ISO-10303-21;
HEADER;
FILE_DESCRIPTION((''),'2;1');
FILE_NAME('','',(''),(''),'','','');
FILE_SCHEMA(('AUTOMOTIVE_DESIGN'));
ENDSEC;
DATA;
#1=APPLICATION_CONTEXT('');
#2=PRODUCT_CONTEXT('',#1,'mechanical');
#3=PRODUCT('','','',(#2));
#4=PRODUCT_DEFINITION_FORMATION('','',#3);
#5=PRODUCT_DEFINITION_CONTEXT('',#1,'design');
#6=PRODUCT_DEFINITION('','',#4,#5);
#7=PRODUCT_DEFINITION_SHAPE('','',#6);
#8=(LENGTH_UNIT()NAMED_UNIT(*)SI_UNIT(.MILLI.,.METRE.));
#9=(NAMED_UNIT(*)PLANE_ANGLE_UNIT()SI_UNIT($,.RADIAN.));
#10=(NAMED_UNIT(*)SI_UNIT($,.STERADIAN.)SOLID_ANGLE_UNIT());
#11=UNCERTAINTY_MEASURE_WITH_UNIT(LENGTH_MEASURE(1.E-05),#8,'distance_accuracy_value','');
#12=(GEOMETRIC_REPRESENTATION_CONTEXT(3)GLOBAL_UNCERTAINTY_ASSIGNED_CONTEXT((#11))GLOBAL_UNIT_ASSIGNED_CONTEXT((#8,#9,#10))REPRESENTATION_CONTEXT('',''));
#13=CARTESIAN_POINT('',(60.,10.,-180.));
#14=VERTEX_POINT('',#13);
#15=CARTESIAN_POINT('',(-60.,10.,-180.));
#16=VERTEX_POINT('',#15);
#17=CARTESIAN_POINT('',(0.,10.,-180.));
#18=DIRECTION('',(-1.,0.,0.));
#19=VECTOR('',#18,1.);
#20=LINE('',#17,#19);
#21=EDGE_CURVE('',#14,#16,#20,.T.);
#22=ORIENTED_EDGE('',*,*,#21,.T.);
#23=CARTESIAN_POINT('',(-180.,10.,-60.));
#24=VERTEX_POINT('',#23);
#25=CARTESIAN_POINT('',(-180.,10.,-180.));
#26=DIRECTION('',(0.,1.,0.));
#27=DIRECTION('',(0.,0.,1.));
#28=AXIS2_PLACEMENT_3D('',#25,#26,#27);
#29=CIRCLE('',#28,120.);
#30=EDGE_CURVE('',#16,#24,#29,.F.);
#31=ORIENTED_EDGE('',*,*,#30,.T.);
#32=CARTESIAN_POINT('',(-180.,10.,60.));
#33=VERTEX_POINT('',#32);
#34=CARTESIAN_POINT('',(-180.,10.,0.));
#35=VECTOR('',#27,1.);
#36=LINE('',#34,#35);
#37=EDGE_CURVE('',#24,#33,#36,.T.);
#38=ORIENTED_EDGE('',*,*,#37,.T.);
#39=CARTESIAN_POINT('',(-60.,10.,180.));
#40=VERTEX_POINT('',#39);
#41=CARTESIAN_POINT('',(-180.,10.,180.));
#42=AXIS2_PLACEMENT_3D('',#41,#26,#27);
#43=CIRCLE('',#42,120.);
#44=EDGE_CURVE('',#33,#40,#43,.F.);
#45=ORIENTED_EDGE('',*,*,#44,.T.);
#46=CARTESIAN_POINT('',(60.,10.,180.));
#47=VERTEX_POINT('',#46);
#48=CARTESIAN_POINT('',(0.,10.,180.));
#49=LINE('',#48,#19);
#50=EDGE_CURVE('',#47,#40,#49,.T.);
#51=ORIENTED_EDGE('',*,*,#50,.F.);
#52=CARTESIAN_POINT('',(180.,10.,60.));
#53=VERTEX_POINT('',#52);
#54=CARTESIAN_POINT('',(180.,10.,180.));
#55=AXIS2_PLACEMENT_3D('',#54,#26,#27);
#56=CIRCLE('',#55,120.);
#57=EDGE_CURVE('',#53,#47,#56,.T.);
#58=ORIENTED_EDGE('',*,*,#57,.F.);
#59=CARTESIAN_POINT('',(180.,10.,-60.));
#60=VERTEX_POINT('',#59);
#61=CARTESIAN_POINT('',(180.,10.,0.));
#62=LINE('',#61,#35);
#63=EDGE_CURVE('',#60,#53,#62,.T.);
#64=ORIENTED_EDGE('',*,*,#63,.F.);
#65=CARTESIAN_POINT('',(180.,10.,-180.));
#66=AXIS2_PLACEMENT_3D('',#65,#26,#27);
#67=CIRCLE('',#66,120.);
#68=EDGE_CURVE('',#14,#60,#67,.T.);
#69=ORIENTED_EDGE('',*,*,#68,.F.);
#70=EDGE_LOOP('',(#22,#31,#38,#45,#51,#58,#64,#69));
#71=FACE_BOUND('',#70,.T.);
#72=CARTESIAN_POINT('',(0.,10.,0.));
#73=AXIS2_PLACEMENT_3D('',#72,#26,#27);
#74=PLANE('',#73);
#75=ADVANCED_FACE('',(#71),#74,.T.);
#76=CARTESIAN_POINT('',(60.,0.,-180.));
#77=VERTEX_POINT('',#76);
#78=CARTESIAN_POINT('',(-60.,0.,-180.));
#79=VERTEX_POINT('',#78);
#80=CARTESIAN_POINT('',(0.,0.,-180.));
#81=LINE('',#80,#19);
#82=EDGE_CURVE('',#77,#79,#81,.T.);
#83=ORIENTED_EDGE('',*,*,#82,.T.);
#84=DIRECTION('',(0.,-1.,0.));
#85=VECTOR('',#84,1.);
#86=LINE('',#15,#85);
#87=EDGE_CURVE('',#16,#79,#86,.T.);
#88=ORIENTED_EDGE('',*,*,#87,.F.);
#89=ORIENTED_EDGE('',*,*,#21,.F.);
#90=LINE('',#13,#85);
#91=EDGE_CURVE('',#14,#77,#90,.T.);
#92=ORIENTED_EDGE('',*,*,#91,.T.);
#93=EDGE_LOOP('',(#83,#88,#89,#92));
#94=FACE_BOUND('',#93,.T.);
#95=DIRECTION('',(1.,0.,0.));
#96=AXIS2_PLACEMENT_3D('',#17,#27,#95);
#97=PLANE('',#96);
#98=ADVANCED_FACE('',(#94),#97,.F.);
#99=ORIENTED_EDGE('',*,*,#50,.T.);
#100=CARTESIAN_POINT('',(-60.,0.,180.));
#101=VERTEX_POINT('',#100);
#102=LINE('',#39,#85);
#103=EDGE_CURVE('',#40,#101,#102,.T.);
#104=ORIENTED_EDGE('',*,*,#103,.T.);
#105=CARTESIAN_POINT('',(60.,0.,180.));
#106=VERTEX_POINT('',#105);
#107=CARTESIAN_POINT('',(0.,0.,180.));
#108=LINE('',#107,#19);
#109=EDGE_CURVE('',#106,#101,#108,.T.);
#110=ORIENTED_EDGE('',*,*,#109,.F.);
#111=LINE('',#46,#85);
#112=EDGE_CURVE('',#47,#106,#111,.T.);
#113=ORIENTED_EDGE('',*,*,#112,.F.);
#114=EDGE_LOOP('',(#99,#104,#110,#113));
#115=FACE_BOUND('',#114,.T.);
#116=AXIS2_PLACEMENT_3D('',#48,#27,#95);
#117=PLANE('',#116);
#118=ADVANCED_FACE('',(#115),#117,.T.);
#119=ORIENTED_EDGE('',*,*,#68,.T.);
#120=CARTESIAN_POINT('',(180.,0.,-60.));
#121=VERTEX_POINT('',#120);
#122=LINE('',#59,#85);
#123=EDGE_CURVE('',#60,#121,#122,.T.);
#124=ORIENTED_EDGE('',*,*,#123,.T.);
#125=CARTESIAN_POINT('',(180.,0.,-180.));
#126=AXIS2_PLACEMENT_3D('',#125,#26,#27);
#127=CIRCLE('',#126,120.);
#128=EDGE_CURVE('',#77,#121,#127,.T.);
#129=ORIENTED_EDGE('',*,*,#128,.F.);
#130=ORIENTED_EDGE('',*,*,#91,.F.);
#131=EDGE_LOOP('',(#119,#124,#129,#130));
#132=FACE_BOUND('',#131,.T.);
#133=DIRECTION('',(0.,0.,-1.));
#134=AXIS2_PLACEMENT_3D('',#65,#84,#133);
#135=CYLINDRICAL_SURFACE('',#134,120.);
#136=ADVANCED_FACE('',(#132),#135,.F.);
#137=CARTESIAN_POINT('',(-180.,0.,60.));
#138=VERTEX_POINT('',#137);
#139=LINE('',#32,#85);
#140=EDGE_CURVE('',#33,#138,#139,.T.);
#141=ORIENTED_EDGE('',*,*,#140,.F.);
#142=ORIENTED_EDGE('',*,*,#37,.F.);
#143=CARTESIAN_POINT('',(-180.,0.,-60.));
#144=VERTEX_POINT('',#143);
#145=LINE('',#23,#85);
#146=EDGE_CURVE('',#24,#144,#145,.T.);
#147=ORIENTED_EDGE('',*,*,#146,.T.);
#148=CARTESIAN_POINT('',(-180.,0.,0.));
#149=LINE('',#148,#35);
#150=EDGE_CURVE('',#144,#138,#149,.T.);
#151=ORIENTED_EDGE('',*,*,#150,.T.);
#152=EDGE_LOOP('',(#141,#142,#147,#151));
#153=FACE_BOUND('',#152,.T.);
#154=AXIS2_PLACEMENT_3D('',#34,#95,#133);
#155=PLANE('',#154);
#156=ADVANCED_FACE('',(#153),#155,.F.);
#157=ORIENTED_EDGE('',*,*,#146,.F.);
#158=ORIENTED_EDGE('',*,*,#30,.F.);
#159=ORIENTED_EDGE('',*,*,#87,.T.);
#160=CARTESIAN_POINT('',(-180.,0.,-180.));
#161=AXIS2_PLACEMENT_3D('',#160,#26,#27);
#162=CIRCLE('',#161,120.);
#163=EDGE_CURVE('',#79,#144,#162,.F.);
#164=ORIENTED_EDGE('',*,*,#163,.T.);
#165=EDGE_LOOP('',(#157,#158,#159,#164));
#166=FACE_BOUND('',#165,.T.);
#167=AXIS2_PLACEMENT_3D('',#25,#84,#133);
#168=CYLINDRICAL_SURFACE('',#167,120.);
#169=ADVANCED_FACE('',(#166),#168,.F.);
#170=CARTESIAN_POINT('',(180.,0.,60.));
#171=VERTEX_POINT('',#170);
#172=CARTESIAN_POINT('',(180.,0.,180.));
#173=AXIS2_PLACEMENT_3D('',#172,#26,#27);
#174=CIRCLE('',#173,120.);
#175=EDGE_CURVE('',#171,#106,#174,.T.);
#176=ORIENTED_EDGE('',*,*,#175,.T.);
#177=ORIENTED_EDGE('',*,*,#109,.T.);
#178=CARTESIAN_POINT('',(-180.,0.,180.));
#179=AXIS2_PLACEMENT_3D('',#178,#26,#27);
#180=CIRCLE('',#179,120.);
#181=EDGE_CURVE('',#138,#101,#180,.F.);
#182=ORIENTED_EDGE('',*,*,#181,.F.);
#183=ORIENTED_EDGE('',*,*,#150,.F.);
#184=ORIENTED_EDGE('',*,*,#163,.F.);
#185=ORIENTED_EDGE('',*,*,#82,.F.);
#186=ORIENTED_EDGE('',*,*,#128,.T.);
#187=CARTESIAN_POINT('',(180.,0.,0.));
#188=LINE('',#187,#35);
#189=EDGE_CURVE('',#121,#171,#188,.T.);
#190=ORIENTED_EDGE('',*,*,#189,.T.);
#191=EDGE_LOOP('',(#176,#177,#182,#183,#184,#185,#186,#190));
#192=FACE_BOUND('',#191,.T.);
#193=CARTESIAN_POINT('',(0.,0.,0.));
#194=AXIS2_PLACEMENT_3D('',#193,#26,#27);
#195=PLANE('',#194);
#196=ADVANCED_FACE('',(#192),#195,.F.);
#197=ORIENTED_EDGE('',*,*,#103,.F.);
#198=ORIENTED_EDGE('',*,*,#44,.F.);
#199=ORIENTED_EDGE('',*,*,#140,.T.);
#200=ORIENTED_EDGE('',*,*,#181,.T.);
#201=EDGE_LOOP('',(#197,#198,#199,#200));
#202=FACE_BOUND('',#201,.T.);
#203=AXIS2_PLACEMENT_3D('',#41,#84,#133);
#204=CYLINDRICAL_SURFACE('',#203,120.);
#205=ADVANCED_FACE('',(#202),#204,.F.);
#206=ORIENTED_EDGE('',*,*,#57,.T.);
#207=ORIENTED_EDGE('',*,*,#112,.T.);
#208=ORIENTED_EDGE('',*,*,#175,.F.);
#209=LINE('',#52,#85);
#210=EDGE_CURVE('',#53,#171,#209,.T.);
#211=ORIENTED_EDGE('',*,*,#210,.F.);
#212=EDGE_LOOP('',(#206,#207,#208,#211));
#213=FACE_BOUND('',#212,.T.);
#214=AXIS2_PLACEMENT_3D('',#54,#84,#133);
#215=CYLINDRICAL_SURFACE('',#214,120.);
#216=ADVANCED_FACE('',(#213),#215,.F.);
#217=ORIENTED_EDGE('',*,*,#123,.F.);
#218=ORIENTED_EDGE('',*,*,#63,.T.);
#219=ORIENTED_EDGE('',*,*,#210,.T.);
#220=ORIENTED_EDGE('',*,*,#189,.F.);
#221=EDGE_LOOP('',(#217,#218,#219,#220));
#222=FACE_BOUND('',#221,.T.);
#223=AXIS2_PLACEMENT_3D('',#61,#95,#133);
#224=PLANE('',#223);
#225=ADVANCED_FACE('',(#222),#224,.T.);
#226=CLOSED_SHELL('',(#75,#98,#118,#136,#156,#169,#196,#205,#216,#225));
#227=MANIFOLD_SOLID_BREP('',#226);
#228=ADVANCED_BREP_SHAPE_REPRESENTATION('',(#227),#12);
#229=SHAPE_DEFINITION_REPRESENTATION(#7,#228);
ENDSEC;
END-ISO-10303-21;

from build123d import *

# Parameters (mm, degrees)
BOSS_EXTRUDE1_DEPTH = 10


with BuildPart() as part:
    # Sketch1 → Boss-Extrude1 (new body)
    with BuildSketch(Plane(origin=(0, 0, 0), x_dir=(1, 0, 0), z_dir=(0, 1, 0))):
        Polygon((60, -60), (60, -180), (-60, -180), (-60, -60), (-180, -60), (-180, 60), (-60, 60), (-60, 180), (60, 180), (60, 60), (180, 60), (180, -60), align=None)
        with BuildLine():
            Line((-60, 180), (-60, 60))
            Line((-60, 60), (-180, 60))
            ThreePointArc((-180, 60), (-95.147186258, 95.147186258), (-60, 180))
        make_face()
        with BuildLine():
            ThreePointArc((60, 180), (95.147186258, 95.147186258), (180, 60))
            Line((180, 60), (60, 60))
            Line((60, 60), (60, 180))
        make_face()
        with BuildLine():
            ThreePointArc((180, -60), (95.147186258, -95.147186258), (60, -180))
            Line((60, -180), (60, -60))
            Line((60, -60), (180, -60))
        make_face()
        with BuildLine():
            Line((-180, -60), (-60, -60))
            Line((-60, -60), (-60, -180))
            ThreePointArc((-60, -180), (-95.147186258, -95.147186258), (-180, -60))
        make_face()
    extrude(amount=BOSS_EXTRUDE1_DEPTH)


solid = part.part
